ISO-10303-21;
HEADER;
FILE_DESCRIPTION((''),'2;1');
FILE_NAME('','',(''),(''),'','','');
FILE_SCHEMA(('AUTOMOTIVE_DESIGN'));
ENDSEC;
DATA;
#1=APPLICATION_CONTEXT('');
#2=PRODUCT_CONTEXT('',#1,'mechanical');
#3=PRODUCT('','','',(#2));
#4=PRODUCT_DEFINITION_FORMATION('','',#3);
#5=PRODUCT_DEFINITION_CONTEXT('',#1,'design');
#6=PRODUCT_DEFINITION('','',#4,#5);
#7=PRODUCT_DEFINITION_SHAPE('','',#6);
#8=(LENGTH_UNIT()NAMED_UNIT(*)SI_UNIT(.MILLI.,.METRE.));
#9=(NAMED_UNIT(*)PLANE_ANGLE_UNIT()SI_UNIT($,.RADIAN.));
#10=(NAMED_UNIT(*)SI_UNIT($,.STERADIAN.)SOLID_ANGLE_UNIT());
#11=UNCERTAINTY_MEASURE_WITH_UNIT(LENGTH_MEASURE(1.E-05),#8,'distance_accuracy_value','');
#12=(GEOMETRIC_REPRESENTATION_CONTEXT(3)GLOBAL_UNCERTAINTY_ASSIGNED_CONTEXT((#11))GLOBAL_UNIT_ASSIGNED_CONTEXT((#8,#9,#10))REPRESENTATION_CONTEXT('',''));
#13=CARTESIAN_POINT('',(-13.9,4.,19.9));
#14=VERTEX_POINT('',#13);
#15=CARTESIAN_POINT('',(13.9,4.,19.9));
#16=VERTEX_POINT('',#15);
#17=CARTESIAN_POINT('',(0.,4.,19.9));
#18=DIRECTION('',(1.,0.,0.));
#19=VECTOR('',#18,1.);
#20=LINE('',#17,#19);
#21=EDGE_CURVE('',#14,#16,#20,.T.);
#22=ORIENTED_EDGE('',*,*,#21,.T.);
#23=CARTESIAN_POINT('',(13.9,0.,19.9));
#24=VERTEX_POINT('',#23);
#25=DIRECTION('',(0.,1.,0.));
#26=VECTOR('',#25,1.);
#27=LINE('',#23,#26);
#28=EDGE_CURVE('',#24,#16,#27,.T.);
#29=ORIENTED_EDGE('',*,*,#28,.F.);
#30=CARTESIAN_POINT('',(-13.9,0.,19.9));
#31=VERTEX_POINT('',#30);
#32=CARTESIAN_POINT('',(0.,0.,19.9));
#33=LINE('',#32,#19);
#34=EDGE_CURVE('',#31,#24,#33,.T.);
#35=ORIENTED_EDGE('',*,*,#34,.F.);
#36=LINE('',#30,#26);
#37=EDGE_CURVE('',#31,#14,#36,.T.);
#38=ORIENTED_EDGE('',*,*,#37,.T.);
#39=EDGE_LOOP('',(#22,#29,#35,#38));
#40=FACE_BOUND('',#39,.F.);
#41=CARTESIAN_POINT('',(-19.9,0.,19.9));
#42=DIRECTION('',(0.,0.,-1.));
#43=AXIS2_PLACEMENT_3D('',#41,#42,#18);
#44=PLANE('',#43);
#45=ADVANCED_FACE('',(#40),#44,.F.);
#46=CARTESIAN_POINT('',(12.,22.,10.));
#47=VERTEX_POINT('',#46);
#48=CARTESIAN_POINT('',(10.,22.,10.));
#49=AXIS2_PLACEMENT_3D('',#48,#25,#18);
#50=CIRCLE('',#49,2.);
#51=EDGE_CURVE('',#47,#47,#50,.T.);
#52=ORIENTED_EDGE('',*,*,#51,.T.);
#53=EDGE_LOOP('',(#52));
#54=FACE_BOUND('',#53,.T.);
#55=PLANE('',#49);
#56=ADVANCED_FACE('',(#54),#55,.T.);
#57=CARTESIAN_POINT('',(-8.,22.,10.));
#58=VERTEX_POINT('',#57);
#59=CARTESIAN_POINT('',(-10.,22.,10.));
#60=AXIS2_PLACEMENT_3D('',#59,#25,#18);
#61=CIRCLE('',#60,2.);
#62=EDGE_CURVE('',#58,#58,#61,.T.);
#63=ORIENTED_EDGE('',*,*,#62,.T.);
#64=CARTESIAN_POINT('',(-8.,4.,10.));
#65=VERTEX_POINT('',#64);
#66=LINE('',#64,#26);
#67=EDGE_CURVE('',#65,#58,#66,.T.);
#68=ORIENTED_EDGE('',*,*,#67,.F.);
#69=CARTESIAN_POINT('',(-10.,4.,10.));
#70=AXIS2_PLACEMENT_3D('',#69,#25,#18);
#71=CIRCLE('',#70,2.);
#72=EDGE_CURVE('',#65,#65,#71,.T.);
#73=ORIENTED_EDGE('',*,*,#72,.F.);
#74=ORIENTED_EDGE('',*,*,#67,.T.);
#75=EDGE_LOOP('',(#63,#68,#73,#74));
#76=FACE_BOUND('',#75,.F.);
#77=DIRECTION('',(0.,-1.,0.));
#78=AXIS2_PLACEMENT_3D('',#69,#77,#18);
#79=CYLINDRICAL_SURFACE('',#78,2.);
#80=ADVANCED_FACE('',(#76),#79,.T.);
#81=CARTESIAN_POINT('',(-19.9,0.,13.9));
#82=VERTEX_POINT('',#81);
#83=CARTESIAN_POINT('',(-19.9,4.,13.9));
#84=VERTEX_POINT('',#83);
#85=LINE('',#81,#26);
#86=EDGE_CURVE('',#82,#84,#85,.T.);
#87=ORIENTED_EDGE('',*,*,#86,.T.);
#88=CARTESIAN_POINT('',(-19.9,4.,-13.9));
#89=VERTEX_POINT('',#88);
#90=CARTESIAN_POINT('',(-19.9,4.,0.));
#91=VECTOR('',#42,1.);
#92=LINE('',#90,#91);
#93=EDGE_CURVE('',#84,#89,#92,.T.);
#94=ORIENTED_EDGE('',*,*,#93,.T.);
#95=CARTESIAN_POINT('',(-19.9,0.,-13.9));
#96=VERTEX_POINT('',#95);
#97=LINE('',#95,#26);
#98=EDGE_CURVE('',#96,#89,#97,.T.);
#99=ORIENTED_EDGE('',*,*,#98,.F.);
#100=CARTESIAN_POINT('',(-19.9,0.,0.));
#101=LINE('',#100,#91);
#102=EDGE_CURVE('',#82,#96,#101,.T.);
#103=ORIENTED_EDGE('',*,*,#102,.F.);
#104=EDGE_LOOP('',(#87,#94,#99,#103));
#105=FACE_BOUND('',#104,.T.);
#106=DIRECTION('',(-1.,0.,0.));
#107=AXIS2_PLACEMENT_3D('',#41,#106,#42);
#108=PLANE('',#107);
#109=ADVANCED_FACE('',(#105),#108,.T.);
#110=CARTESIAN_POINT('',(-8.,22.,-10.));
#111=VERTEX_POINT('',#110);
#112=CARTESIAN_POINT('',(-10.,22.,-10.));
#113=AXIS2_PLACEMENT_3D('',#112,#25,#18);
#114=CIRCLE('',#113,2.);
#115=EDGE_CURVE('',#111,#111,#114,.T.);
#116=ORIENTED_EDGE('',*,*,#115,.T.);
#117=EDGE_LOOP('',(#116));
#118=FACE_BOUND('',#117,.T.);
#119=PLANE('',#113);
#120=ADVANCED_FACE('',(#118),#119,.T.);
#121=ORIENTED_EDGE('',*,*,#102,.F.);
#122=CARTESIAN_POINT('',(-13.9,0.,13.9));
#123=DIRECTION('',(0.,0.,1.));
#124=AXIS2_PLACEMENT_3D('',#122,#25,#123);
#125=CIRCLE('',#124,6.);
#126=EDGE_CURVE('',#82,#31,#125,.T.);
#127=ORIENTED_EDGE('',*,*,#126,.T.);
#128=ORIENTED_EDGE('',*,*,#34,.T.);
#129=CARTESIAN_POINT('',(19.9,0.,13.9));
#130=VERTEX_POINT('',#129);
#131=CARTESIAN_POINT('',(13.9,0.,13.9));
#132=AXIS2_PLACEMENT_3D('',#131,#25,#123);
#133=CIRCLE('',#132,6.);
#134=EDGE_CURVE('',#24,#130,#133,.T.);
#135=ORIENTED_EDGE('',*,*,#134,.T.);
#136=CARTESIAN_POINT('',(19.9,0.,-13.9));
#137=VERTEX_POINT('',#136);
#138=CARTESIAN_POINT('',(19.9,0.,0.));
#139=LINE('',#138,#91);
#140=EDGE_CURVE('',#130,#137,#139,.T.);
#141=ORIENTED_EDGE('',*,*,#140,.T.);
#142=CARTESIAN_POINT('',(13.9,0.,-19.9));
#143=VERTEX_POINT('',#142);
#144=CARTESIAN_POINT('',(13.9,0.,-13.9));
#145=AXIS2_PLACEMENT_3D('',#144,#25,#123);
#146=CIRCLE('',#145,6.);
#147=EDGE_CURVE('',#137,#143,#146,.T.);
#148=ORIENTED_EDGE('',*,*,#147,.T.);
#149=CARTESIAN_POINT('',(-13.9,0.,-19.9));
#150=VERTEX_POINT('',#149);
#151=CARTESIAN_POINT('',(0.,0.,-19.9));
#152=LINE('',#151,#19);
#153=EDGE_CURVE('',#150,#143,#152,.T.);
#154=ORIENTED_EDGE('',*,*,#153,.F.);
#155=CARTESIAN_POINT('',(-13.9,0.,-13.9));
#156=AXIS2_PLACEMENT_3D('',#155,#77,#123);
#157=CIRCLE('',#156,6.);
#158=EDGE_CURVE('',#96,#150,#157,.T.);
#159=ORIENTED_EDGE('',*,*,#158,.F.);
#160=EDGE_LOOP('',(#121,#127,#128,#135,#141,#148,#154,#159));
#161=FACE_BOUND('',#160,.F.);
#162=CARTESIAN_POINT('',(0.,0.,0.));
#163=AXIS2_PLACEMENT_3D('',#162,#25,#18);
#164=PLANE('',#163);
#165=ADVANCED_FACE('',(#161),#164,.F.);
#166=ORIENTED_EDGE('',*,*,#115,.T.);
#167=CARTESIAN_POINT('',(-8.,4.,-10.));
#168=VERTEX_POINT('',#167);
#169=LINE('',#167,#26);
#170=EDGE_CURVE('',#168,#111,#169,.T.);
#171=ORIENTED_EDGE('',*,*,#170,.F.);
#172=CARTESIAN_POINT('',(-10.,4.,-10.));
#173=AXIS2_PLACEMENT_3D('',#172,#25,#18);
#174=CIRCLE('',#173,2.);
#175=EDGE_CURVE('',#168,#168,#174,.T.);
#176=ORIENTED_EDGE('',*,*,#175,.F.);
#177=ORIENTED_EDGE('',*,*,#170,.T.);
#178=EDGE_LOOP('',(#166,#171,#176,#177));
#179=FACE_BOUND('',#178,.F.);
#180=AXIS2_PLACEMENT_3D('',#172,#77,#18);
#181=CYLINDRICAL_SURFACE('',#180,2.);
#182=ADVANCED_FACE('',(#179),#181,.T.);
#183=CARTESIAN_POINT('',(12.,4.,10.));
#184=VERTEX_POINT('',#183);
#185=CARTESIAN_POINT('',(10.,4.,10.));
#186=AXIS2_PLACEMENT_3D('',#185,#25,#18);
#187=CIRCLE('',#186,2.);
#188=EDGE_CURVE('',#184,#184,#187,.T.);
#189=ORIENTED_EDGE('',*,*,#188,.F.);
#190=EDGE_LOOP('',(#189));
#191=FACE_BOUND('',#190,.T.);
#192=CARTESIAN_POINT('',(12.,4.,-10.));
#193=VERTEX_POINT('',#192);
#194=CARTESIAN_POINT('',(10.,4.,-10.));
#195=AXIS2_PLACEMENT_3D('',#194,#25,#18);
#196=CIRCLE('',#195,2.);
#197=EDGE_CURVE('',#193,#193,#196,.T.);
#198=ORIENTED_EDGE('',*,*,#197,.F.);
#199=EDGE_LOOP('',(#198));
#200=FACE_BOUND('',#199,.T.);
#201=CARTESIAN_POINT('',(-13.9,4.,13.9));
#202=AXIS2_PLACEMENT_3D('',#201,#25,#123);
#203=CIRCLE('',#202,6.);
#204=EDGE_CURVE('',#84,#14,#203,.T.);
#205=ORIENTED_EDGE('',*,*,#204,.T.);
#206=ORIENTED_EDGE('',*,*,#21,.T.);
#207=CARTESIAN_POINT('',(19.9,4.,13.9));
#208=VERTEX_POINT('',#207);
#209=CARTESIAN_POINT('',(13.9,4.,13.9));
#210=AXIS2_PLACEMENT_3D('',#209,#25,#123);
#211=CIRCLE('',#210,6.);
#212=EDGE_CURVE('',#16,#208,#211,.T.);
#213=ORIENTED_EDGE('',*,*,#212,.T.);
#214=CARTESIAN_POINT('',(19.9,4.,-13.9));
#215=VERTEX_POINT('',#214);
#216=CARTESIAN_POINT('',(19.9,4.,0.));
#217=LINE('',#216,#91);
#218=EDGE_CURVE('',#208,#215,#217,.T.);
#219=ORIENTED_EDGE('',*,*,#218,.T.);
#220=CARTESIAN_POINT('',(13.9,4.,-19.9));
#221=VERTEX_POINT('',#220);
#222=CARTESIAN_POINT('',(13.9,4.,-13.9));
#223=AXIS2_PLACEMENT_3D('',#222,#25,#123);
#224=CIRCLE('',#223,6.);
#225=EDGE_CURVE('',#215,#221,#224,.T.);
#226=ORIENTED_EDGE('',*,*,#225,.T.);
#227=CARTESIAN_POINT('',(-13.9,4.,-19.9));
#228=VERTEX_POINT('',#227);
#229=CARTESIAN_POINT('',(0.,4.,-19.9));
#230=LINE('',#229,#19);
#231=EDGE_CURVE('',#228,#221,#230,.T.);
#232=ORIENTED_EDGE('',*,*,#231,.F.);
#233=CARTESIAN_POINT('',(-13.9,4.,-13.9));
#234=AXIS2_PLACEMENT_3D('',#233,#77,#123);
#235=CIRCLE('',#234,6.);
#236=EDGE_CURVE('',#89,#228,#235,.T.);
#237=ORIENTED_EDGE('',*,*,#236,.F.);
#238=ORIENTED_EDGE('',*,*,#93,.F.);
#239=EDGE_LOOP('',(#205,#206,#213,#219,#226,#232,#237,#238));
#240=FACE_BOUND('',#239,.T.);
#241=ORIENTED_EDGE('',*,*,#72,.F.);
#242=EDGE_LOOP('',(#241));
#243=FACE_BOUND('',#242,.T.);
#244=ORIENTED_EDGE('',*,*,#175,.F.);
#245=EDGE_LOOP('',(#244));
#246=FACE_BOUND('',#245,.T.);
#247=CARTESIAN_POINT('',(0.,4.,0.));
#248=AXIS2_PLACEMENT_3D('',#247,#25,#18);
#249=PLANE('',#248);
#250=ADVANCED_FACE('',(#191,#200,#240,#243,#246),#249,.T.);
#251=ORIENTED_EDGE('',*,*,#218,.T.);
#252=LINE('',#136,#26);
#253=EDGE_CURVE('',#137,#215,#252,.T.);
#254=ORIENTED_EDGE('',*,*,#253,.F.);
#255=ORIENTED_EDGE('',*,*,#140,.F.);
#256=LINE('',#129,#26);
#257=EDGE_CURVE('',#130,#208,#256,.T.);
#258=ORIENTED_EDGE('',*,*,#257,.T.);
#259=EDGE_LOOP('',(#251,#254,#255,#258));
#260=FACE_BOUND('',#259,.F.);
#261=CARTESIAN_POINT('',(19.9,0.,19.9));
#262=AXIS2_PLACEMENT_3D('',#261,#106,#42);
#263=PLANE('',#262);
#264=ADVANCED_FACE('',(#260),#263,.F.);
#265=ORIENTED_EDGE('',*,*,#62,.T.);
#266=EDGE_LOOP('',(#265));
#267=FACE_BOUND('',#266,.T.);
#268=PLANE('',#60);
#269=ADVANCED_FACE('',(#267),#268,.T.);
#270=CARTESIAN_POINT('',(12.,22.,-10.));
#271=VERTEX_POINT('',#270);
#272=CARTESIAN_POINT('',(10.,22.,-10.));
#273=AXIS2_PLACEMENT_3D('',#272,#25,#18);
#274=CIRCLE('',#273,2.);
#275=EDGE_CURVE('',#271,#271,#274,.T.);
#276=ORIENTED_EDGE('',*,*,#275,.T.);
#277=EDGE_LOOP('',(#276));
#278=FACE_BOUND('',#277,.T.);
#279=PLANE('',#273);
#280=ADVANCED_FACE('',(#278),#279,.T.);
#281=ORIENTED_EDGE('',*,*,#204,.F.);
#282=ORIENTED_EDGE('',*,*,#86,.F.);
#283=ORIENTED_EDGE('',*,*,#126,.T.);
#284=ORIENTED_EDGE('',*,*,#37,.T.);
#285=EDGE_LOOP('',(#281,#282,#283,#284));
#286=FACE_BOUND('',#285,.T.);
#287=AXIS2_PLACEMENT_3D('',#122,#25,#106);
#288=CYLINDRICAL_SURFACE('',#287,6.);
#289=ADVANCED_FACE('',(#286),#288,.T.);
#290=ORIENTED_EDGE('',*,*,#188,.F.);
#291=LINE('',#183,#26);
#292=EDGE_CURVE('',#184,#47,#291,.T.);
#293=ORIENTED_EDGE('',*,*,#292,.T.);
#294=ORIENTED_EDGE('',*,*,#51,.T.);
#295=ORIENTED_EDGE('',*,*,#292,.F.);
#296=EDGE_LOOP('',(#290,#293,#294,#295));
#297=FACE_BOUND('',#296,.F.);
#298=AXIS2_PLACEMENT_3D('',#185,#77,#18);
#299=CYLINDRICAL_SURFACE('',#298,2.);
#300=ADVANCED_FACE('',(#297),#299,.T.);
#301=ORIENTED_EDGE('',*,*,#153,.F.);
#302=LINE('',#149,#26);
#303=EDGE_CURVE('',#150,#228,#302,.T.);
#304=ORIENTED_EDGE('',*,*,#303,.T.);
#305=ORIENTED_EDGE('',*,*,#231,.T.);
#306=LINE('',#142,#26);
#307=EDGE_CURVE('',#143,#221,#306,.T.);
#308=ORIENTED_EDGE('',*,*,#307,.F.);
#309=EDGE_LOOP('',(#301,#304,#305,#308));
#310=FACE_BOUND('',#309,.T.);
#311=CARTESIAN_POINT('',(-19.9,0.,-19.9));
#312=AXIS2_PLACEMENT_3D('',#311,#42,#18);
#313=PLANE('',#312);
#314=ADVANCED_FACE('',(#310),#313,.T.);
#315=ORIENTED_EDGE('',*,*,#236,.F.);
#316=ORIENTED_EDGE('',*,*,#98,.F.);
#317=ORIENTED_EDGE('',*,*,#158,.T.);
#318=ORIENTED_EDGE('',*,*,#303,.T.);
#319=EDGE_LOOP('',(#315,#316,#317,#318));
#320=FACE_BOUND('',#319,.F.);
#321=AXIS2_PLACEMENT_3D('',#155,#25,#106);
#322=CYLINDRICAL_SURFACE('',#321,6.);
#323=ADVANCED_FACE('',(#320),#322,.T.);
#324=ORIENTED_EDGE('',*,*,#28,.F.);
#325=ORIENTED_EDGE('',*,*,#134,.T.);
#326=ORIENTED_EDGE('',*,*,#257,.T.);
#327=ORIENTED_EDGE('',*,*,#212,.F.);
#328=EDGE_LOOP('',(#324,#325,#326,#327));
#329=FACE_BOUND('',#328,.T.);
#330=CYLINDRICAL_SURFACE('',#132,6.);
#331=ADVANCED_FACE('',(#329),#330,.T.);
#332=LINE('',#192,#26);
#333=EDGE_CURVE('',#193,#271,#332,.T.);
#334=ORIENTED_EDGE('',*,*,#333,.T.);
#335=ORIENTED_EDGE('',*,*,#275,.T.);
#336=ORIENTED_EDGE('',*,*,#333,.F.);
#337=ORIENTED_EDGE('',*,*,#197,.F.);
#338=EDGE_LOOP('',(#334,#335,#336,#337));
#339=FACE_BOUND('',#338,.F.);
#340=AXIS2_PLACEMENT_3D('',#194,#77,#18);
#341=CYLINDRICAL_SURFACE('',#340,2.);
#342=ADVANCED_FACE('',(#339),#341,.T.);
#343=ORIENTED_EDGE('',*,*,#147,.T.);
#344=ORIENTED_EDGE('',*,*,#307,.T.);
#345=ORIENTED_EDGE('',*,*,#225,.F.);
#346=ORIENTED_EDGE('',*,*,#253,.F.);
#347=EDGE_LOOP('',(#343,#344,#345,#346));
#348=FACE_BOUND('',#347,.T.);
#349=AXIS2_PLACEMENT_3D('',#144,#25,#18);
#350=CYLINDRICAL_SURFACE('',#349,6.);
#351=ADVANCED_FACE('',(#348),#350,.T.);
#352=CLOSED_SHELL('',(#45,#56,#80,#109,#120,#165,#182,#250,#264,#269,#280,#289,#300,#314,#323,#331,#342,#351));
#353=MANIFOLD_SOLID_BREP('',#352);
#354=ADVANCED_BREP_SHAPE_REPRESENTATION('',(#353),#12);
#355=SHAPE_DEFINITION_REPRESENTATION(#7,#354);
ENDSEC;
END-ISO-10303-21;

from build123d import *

# Parameters (mm, degrees)
SKETCH1_W           = 39.8
SKETCH1_H           = 39.8
BOSS_EXTRUDE1_DEPTH = 4
FILLET1_R           = 6
SKETCH2_R           = 2
BOSS_EXTRUDE2_DEPTH = 18


with BuildPart() as part:
    # Sketch1 → Boss-Extrude1 (new body)
    with BuildSketch(Plane(origin=(0, 0, 0), x_dir=(1, 0, 0), z_dir=(0, 1, 0))):
        Rectangle(SKETCH1_W, SKETCH1_H)
    extrude(amount=BOSS_EXTRUDE1_DEPTH)

    # Fillet1
    fillet1_edges = [part.edges().sort_by_distance(p)[0] for p in [
        (19.9, 2, 19.9),
        (-19.9, 2, 19.9),
        (-19.9, 2, -19.9),
        (19.9, 2, -19.9),
    ]]
    fillet(fillet1_edges, radius=FILLET1_R)

    # Sketch2 → Boss-Extrude2 (add)
    with BuildSketch(Plane(origin=(0, 4, 0), x_dir=(1, 0, 0), z_dir=(0, 1, 0))):
        with Locations((-10, 10)):
            Circle(SKETCH2_R)
        with Locations((10, 10)):
            Circle(SKETCH2_R)
        with Locations((10, -10)):
            Circle(SKETCH2_R)
        with Locations((-10, -10)):
            Circle(SKETCH2_R)
    extrude(amount=BOSS_EXTRUDE2_DEPTH)


solid = part.part
